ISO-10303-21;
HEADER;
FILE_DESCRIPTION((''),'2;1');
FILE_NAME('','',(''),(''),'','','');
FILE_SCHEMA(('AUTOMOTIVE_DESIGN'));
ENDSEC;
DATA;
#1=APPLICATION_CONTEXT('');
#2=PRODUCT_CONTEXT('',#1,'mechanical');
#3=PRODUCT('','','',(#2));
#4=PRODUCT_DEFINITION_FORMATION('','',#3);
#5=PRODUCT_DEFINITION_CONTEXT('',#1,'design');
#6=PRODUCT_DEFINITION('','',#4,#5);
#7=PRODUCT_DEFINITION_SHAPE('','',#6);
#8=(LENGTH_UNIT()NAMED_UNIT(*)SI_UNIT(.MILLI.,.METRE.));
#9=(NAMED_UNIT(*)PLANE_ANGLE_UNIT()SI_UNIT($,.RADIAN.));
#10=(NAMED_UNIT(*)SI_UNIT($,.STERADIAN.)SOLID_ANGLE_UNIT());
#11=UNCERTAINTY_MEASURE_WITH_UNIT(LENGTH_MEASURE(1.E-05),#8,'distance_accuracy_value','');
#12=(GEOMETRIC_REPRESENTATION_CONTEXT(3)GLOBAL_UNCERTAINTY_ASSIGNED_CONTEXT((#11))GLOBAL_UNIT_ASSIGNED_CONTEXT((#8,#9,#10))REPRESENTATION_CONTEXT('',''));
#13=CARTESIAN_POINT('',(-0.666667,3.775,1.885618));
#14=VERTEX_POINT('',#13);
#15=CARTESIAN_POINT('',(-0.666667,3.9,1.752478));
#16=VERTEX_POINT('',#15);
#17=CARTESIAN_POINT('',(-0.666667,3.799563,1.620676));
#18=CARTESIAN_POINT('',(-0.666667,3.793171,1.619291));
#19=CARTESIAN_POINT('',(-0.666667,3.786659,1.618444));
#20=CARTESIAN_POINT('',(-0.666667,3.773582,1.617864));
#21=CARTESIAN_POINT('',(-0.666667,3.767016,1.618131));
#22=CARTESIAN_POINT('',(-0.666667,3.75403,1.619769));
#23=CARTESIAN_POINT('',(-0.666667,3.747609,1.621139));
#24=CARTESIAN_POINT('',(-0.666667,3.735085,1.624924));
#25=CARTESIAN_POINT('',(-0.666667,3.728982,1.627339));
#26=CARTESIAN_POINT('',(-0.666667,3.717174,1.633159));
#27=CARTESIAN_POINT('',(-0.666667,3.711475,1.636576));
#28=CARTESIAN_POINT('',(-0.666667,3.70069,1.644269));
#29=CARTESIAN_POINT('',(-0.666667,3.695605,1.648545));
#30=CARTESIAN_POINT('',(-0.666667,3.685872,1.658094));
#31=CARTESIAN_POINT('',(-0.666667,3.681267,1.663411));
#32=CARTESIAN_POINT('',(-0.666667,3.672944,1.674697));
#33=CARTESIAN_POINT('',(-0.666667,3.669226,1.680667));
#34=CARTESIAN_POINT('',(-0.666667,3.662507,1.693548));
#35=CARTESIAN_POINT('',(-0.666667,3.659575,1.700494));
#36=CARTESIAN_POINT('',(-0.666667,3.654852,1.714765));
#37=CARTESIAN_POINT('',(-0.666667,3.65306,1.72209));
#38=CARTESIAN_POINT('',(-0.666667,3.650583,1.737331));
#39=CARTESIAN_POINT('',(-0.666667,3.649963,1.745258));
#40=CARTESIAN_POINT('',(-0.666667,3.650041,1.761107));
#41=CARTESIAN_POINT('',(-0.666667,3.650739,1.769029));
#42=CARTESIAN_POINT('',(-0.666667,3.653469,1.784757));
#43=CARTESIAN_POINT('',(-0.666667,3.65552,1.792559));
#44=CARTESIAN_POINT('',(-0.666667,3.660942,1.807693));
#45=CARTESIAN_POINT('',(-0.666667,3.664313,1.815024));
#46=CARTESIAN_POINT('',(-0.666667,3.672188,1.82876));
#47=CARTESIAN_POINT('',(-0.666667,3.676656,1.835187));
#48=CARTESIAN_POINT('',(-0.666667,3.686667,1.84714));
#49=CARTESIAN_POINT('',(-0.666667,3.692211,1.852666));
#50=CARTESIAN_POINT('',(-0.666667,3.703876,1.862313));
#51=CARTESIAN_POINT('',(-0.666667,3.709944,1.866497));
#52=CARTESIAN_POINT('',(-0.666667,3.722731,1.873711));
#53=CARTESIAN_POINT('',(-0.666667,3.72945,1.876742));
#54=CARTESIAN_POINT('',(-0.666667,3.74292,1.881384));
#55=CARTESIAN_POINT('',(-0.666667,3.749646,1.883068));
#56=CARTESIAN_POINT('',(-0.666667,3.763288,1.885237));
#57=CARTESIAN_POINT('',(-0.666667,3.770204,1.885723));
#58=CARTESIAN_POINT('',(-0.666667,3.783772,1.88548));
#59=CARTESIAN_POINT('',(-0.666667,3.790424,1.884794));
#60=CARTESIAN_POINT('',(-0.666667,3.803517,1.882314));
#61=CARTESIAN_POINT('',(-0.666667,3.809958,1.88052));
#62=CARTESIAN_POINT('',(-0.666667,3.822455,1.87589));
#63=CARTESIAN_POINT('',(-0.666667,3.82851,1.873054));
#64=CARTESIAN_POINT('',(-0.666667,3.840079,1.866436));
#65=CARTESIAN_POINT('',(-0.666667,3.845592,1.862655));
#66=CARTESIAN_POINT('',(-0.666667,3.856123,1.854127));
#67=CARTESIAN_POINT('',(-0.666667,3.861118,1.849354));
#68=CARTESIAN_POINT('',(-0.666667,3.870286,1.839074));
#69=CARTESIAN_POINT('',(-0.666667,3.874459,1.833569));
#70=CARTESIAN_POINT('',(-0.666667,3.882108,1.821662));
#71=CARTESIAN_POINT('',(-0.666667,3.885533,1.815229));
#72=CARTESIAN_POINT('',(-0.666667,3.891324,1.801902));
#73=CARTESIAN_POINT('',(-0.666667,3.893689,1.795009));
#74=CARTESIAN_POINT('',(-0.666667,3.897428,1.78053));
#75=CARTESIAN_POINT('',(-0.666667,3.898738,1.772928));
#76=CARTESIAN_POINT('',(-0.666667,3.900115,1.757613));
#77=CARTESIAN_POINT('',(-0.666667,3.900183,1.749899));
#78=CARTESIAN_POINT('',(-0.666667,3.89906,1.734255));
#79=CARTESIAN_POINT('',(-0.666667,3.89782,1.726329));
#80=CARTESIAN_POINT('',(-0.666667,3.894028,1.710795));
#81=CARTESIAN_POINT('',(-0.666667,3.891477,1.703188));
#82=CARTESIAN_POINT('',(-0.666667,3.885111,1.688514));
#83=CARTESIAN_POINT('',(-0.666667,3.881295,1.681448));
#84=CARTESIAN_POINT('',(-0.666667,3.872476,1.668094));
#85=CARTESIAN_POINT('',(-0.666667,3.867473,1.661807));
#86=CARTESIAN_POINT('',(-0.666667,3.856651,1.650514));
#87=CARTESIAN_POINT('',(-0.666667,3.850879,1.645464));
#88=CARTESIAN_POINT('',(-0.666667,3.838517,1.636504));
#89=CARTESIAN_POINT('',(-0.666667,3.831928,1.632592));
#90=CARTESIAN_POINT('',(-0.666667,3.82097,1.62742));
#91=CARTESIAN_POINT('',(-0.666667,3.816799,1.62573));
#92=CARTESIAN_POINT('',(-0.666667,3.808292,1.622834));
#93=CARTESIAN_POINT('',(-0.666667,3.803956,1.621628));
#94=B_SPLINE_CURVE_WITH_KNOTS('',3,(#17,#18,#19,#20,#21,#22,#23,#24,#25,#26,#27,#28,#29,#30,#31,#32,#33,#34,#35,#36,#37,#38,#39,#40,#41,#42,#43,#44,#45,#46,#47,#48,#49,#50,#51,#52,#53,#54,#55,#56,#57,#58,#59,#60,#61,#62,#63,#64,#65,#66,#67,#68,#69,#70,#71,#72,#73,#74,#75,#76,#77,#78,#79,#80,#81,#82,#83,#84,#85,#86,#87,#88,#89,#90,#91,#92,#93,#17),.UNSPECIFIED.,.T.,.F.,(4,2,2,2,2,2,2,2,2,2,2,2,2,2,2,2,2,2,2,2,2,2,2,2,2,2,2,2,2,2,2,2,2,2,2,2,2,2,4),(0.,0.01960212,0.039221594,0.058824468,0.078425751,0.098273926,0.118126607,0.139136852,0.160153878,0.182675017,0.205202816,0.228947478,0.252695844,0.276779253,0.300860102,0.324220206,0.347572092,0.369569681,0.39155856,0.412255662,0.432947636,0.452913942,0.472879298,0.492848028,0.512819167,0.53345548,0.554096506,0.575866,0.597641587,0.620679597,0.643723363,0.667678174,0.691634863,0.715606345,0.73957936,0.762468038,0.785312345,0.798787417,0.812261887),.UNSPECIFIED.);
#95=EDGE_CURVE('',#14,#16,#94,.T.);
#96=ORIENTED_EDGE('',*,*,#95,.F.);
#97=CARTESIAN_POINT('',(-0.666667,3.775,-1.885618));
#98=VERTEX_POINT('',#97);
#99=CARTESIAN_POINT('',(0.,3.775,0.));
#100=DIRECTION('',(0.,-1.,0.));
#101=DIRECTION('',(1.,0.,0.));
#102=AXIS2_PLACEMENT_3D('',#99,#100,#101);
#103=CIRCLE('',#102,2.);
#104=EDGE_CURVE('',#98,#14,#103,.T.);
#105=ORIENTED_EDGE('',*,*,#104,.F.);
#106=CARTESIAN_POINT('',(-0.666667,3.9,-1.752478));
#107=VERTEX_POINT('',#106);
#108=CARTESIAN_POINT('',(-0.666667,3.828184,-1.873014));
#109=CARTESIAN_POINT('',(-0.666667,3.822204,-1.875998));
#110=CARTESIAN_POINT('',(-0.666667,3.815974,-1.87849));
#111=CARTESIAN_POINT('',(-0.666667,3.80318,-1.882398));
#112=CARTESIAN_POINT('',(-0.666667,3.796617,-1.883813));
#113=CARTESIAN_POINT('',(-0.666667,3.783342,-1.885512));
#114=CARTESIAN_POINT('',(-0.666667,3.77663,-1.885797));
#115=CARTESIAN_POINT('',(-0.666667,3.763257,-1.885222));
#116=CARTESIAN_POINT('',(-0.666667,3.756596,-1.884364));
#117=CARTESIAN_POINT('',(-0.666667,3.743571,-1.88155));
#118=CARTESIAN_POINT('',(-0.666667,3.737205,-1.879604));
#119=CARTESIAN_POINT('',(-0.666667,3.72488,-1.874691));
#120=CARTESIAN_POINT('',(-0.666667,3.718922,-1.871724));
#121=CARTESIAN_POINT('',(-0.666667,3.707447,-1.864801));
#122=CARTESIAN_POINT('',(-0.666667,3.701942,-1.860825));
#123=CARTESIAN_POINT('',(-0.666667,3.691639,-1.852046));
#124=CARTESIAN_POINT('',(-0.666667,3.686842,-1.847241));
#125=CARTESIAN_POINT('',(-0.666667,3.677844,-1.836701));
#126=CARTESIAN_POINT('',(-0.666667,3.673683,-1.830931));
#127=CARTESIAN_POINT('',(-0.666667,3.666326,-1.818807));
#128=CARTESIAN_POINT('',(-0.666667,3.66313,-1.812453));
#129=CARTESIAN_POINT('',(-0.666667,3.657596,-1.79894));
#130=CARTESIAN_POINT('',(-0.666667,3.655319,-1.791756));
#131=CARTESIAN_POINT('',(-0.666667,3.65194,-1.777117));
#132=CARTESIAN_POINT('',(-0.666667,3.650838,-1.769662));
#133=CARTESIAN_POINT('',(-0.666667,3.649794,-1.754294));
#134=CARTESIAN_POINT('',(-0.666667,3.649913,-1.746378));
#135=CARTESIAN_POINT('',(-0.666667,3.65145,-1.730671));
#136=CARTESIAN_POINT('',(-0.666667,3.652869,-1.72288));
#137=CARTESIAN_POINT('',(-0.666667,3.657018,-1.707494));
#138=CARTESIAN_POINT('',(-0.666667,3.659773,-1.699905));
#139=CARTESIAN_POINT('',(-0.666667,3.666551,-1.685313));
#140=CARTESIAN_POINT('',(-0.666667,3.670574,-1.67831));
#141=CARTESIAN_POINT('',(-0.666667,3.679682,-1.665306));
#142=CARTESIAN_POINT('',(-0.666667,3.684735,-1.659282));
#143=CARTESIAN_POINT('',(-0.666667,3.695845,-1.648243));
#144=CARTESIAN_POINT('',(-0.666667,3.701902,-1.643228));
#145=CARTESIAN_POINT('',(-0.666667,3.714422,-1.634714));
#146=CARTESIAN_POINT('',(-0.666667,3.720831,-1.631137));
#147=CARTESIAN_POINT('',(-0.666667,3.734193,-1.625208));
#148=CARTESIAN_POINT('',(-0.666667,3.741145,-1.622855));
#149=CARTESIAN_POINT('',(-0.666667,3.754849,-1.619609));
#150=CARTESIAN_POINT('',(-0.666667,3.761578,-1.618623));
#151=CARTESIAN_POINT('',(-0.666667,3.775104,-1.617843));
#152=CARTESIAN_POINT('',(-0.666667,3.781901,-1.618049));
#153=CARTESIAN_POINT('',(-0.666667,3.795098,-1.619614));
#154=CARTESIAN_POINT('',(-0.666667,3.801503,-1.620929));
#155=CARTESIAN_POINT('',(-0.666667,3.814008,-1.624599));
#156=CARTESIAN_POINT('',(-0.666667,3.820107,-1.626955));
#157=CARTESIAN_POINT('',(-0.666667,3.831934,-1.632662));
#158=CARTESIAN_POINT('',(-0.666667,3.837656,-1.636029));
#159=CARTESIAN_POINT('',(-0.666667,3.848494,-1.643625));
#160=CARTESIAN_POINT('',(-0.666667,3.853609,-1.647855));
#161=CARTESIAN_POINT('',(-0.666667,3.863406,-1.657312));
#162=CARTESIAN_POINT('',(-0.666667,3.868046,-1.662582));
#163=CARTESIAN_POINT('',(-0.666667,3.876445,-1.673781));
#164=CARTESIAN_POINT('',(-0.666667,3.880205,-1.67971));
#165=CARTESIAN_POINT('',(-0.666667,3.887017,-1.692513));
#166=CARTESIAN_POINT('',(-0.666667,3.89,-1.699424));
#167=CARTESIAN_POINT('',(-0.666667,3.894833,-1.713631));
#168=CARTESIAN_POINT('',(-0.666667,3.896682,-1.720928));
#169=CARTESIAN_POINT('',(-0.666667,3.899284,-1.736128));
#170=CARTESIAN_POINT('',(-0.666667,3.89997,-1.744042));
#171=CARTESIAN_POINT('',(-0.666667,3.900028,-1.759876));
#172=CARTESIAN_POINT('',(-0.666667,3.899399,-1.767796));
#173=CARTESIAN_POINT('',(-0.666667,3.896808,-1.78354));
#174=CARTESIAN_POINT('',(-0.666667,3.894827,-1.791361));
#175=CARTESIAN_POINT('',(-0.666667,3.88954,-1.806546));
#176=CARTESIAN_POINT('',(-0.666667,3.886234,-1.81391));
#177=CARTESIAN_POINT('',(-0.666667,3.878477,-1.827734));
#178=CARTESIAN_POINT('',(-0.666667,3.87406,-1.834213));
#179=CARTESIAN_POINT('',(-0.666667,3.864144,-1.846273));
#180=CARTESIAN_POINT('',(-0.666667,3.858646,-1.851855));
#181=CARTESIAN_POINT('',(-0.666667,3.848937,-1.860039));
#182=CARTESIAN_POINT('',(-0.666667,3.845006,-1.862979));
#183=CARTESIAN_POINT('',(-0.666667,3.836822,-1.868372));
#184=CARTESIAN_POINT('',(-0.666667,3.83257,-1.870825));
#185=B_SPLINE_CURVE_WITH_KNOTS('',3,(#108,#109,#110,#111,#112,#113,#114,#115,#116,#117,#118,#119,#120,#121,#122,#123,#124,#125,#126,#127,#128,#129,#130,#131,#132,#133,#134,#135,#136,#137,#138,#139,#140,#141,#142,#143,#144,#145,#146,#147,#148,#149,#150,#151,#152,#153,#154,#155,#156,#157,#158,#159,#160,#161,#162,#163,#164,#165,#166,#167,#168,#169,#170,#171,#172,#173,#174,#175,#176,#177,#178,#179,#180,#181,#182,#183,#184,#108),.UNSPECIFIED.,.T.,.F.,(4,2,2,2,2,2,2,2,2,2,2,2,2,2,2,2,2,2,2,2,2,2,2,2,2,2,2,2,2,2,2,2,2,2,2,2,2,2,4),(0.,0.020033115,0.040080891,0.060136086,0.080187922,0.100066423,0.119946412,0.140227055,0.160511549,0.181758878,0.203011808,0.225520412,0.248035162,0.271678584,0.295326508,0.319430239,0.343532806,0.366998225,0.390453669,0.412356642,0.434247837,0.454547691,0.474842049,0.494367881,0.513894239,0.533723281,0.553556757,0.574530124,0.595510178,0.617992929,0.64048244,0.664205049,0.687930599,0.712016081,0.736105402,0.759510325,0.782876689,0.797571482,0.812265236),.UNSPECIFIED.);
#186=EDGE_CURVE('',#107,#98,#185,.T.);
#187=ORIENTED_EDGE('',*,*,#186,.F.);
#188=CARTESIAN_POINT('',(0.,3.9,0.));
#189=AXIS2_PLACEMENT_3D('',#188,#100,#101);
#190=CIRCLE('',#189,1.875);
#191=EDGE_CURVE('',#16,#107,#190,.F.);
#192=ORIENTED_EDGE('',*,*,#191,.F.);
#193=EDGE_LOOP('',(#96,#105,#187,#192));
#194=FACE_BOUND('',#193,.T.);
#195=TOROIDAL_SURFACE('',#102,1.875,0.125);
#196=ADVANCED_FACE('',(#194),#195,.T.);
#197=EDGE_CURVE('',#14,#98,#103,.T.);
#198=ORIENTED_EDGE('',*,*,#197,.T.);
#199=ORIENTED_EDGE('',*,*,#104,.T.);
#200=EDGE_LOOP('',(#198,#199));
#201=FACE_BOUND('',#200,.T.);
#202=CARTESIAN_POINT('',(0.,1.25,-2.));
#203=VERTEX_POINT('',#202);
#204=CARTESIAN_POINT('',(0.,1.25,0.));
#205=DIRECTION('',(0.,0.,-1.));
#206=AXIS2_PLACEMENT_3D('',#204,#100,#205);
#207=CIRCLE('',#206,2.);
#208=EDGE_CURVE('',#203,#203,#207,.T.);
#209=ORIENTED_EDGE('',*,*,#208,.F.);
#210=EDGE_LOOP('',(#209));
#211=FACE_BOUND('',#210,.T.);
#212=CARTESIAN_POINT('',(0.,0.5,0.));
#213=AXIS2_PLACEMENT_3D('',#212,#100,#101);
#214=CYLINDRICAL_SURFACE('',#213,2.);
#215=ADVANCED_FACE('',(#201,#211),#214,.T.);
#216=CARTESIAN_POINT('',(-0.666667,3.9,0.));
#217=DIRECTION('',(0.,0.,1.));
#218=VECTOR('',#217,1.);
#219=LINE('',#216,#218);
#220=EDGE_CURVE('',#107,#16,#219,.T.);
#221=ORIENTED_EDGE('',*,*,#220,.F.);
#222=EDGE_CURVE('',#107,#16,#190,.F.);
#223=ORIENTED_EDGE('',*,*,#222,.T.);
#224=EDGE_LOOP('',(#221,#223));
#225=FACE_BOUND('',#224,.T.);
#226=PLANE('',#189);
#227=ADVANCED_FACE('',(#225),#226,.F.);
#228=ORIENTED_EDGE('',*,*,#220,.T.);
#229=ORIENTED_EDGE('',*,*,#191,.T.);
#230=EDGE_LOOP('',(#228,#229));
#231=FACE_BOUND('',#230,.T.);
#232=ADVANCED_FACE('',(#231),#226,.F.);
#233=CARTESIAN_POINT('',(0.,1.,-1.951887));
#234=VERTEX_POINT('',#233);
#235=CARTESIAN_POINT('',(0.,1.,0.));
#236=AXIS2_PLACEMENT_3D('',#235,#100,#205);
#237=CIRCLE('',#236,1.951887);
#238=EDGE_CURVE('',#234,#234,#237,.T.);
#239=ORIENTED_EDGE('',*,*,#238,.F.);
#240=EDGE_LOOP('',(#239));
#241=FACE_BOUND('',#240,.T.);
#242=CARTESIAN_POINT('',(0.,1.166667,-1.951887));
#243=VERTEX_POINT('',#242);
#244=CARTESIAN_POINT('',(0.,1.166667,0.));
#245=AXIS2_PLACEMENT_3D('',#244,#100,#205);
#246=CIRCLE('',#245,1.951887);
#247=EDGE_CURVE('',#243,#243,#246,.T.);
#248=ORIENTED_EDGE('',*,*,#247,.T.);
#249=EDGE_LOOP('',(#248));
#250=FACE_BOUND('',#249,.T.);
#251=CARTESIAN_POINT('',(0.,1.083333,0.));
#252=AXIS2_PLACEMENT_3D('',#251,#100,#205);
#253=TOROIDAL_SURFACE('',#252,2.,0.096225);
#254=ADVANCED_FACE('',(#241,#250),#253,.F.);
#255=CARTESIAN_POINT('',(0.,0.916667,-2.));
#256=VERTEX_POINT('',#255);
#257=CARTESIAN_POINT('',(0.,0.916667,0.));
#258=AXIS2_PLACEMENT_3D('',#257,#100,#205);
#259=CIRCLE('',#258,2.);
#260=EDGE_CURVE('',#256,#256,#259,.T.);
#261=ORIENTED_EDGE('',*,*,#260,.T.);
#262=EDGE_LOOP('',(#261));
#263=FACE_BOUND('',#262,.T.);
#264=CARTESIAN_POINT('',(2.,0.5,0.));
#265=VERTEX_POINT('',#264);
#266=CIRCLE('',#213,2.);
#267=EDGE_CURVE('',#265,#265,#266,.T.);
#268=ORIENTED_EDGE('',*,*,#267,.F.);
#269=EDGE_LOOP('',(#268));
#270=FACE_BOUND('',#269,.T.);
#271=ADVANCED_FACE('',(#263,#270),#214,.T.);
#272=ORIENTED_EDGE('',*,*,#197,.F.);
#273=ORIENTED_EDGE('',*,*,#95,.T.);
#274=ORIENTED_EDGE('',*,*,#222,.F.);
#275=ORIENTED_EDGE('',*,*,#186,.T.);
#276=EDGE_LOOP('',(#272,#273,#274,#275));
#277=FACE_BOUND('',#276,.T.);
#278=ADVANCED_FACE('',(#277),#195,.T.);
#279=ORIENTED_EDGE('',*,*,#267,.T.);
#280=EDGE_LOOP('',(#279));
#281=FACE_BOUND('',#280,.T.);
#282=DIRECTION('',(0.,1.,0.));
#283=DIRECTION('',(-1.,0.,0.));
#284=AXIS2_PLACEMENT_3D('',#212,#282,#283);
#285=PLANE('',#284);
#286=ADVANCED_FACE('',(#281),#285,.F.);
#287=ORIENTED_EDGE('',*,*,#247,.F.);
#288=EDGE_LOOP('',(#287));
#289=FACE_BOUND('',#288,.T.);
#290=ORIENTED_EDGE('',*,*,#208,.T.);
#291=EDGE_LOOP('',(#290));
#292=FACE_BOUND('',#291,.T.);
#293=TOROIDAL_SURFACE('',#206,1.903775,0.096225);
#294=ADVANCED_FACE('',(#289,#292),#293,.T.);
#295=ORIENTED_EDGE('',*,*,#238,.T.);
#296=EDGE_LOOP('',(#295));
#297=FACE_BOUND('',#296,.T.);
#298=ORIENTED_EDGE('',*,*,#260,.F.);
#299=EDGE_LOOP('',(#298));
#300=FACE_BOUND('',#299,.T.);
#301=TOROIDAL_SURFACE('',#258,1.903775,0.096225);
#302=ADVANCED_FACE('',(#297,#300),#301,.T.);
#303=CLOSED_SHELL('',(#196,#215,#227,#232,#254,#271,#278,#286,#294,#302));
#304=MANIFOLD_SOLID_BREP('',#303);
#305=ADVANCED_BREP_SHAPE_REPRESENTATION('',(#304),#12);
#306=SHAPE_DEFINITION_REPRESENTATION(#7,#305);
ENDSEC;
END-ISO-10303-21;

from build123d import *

# Parameters (mm, degrees)
CROQUIS1_W  = 2
CROQUIS1_H  = 3.4
REDONDEO1_R = 0.125


with BuildPart() as part:
    # Croquis1 → Revolución1 (revolve)
    with BuildSketch(Plane.XY):
        with Locations((-1, 2.2)):
            Rectangle(CROQUIS1_W, CROQUIS1_H)
    revolve(axis=Axis((0, 0.5, 0), (0, 1, 0)))

    # Croquis3 → Cortar-Revolución1 (revolve, cut)
    with BuildSketch(Plane.XY):
        with BuildLine():
            Line((-2, 0.916666667), (-2, 1.25))
            ThreePointArc((-2, 1.25), (-1.987108288, 1.201887478), (-1.951887478, 1.166666667))
            ThreePointArc((-1.951887478, 1.166666667), (-1.903774955, 1.083333333), (-1.951887478, 1))
            ThreePointArc((-1.951887478, 1), (-1.987108288, 0.964779189), (-2, 0.916666667))
        make_face()
    revolve(axis=Axis((0, -0.168697536, 0), (0, 1, 0)), mode=Mode.SUBTRACT)

    # Redondeo1
    redondeo1_edges = [part.edges().sort_by_distance(p)[0] for p in [
        (2, 3.9, 0),
    ]]
    fillet(redondeo1_edges, radius=REDONDEO1_R)


solid = part.part
